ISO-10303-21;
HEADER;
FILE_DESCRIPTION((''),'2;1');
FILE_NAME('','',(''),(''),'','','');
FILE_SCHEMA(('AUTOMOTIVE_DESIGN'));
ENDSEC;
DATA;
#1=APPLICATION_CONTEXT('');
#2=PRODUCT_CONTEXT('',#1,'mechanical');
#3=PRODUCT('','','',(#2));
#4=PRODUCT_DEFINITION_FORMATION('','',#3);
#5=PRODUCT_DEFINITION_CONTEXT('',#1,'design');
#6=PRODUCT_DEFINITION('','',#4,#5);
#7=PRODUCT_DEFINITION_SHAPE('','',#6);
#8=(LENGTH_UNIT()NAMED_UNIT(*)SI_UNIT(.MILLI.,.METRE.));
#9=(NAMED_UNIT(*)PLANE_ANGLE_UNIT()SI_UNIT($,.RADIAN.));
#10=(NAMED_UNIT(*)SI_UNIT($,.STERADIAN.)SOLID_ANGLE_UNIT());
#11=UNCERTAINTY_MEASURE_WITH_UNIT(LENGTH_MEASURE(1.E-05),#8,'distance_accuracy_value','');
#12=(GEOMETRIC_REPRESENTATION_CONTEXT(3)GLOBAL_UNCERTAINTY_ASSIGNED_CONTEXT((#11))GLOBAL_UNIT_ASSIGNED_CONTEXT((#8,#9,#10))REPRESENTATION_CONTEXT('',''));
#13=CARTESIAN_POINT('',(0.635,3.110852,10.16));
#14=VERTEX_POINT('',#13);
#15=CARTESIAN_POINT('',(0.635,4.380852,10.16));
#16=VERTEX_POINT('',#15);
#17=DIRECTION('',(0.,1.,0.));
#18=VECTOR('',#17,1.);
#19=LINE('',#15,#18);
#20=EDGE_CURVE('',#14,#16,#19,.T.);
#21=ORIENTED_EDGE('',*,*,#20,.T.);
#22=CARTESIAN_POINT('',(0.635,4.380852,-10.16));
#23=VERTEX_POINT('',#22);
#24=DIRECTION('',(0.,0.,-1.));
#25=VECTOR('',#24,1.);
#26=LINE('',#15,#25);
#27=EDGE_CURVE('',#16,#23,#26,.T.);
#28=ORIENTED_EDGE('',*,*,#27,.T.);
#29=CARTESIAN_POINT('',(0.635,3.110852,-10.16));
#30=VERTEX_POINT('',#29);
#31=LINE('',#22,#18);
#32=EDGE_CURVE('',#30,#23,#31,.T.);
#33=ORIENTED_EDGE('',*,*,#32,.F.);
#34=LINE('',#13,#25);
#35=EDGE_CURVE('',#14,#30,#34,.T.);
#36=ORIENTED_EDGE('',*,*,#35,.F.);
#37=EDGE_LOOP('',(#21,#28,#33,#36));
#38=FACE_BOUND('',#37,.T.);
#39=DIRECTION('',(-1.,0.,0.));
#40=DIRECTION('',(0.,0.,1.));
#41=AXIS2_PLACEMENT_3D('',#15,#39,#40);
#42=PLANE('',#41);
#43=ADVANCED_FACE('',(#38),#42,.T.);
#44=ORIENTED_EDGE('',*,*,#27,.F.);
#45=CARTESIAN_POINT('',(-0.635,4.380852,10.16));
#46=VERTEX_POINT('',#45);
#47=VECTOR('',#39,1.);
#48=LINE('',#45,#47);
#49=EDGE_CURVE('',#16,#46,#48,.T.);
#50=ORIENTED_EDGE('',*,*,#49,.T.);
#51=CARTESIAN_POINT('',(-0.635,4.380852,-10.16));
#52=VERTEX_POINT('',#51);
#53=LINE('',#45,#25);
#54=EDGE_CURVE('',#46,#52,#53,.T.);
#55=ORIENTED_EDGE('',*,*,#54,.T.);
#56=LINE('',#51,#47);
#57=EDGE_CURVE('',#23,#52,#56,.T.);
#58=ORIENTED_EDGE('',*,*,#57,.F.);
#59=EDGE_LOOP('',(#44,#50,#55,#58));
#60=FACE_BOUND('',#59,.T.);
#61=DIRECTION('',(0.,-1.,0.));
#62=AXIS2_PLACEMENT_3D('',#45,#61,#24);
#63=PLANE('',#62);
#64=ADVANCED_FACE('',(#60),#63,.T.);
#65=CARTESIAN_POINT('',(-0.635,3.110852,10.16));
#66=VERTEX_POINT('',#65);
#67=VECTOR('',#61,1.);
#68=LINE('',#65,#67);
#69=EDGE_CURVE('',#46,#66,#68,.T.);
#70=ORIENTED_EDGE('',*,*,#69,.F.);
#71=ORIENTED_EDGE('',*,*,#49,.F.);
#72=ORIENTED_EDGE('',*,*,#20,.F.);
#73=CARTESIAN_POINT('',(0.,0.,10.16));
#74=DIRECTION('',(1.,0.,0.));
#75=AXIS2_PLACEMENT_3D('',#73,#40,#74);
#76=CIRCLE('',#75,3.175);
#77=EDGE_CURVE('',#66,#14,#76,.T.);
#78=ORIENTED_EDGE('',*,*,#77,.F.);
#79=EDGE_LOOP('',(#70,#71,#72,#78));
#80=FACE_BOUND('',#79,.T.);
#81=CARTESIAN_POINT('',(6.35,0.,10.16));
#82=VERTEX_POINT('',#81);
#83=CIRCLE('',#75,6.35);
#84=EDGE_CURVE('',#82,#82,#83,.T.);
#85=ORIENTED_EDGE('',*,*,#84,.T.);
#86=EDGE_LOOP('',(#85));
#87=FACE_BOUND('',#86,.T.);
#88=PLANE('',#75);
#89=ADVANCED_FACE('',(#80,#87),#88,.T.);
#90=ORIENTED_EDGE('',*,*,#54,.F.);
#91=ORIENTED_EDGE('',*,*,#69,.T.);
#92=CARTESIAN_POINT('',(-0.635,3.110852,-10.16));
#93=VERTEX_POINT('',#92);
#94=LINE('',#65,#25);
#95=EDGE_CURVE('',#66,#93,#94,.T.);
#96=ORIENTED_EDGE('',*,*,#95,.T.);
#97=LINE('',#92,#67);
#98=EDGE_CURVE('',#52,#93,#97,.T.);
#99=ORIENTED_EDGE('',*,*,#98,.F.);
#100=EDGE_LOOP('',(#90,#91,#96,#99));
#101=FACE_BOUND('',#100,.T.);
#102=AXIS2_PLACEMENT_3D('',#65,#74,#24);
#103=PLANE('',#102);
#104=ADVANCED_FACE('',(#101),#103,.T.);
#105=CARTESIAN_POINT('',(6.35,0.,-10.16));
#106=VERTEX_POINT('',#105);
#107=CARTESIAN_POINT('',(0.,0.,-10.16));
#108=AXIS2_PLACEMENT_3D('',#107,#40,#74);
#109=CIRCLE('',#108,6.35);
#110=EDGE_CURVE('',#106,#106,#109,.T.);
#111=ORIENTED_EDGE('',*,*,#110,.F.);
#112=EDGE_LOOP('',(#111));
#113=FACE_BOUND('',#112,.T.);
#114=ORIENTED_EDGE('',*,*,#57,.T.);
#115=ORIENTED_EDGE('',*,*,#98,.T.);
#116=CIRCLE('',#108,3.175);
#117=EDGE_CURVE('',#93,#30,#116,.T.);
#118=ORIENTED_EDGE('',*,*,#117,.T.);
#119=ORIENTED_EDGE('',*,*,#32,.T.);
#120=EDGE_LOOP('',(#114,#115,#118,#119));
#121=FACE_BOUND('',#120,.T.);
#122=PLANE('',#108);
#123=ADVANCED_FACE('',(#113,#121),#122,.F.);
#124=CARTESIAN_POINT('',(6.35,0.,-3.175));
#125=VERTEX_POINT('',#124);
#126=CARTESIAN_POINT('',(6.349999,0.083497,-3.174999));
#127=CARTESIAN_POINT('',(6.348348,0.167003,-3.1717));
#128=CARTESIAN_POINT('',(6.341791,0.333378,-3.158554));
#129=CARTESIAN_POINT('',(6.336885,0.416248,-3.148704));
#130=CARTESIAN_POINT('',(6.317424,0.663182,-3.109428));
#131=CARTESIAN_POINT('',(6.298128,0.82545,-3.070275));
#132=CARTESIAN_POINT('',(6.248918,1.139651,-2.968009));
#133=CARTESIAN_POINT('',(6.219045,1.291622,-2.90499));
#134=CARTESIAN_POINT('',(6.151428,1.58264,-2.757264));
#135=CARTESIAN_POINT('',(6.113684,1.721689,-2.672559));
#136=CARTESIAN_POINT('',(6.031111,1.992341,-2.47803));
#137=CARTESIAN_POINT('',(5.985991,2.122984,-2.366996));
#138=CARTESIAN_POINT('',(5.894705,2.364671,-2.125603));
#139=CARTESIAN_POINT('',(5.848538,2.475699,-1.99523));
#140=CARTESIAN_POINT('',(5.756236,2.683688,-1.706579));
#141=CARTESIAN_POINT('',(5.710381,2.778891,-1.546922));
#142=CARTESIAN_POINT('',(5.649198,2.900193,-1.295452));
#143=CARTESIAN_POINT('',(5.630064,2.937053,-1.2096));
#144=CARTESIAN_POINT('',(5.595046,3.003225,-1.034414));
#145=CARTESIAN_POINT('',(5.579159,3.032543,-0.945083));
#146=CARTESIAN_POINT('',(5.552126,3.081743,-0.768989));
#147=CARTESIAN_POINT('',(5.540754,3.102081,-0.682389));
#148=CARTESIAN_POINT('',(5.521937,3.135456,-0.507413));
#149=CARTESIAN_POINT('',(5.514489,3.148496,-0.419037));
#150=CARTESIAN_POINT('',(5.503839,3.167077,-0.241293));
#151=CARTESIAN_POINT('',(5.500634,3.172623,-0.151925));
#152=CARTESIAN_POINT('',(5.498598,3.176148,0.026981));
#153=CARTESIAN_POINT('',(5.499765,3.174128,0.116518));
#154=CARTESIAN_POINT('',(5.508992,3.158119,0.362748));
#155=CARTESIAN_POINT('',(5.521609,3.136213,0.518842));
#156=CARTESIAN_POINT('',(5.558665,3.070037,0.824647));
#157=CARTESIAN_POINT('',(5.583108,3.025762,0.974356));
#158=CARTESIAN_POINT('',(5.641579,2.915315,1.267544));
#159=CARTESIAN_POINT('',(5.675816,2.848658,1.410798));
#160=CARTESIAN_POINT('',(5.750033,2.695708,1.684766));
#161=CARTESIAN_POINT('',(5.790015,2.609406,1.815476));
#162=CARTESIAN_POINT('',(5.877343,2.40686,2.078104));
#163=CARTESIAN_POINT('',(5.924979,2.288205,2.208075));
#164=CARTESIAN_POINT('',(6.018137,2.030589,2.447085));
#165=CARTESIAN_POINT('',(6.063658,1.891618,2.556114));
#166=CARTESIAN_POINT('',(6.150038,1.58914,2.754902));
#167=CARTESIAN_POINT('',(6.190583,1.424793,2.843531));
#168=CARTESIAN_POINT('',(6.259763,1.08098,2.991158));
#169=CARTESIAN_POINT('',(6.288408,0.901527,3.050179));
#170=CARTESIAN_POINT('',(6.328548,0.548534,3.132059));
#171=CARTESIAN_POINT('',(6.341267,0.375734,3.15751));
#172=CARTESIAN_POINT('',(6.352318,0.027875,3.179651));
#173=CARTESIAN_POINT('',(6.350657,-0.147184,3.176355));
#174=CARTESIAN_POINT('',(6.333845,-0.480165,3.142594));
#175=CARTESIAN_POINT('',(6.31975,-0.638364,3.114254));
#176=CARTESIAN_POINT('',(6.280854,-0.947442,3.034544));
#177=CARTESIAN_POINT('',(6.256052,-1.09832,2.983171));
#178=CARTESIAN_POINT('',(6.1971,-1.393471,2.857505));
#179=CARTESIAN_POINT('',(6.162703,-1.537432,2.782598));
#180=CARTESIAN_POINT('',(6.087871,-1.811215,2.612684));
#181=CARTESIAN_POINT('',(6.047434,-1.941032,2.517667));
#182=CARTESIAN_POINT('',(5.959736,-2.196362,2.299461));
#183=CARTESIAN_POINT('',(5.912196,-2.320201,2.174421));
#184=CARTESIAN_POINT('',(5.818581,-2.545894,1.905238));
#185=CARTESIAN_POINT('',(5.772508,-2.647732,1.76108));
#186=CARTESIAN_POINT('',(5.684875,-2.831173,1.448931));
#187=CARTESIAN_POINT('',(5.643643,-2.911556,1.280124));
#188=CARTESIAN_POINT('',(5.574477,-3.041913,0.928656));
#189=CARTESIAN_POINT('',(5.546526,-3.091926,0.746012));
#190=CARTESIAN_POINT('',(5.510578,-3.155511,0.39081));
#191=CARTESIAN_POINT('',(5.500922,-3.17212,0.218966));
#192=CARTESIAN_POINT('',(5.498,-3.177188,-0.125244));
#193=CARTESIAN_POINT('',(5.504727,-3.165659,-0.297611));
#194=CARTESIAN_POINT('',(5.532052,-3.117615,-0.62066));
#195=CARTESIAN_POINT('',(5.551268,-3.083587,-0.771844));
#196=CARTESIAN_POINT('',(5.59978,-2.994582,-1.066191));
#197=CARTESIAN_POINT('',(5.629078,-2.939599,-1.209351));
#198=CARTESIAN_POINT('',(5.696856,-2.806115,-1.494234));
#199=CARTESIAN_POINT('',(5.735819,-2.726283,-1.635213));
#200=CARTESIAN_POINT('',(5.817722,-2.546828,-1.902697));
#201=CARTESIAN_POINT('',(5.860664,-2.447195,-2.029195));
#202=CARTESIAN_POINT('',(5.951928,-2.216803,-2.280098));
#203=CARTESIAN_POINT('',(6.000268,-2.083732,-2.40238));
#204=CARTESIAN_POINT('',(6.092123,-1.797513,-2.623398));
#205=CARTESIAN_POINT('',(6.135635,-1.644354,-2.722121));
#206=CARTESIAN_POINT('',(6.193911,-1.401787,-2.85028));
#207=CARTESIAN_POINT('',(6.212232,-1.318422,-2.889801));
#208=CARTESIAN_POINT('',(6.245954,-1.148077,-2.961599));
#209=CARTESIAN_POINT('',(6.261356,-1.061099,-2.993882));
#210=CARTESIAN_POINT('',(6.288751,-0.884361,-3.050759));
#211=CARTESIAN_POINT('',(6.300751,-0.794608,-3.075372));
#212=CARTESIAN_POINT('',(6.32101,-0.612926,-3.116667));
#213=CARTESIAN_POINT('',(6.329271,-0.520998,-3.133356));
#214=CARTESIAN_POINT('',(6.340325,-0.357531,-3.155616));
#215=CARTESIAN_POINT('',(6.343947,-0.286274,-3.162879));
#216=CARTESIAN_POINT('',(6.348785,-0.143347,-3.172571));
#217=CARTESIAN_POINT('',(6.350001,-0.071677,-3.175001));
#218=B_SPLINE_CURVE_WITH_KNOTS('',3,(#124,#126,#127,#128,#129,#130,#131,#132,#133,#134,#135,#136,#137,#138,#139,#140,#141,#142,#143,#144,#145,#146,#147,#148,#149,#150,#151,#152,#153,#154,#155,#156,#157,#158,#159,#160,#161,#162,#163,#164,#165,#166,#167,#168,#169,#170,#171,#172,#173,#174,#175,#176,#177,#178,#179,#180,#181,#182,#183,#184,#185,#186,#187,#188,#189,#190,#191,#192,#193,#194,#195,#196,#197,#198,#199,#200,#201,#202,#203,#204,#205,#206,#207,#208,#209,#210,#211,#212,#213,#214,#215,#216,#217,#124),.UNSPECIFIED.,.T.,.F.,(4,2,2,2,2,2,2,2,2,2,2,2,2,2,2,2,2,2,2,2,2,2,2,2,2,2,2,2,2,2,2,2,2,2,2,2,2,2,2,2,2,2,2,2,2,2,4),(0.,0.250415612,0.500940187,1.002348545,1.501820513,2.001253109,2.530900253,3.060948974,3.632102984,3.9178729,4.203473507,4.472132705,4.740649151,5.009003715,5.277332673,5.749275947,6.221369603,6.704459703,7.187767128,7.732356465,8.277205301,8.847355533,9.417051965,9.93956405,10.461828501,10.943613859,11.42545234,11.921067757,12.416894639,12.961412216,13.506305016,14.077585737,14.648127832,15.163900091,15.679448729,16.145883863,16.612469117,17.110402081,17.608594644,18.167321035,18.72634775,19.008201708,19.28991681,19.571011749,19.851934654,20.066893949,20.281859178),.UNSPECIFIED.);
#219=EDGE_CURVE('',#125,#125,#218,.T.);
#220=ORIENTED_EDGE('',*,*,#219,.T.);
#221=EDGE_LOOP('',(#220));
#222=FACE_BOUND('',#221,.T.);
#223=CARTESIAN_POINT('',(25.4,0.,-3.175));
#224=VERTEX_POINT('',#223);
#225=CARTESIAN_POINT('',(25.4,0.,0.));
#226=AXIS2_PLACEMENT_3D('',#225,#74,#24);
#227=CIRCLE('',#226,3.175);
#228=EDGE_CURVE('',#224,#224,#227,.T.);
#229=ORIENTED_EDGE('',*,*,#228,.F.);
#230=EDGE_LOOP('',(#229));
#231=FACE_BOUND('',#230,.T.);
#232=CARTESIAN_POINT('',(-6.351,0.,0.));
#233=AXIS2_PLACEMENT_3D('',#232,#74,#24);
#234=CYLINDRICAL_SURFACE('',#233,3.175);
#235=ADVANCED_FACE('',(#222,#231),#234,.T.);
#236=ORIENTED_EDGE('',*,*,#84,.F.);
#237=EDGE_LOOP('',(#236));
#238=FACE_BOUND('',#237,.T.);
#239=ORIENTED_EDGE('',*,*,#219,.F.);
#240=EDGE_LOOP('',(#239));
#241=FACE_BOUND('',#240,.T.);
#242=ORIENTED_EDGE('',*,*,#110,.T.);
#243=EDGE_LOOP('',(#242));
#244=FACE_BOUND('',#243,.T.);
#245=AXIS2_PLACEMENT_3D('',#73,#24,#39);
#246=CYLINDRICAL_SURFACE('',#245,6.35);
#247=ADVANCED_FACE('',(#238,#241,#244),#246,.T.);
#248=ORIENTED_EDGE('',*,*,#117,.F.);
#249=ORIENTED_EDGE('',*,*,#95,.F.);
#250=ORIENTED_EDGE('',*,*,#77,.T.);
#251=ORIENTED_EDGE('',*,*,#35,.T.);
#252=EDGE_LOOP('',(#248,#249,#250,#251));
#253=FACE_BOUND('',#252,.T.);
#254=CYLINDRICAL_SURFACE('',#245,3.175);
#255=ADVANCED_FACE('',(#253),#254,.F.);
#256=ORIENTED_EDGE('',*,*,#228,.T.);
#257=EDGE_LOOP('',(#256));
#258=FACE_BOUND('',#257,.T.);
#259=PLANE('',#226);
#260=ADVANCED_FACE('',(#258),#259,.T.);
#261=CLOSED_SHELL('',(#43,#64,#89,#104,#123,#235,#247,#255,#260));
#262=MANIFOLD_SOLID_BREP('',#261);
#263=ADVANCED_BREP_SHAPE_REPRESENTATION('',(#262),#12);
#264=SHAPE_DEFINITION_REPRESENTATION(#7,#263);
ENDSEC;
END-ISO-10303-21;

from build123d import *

# Parameters (mm, degrees)
SKETCH1_R                = 6.35
BOSS_EXTRUDE1_DEPTH      = 10.16
BOSS_EXTRUDE2_REACH      = 35.935
BOSS_EXTRUDE2_END_RADIUS = 6.35
SKETCH2_R                = 3.175


with BuildPart() as part:
    # Sketch1 → Boss-Extrude1 (new, symmetric)
    with BuildSketch(Plane.XY):
        Circle(SKETCH1_R)
        with BuildLine():
            Line((-0.635, 3.110851973), (-0.635, 4.380851973))
            Line((-0.635, 4.380851973), (0.635, 4.380851973))
            Line((0.635, 4.380851973), (0.635, 3.110851973))
            ThreePointArc((0.635, 3.110851973), (0, -3.175), (-0.635, 3.110851973))
        make_face(mode=Mode.SUBTRACT)
    extrude(amount=BOSS_EXTRUDE1_DEPTH, both=True)

    # Boss-Extrude2: up to this cylinder (the profile starts outside it)
    boss_extrude2_end = Plane(origin=(0, 0, 0), z_dir=(0, 0, -1)) * Cylinder(BOSS_EXTRUDE2_END_RADIUS, 85.57, mode=Mode.PRIVATE)
    # Sketch2 → Boss-Extrude2 (add, up to the surface)
    with BuildSketch(Plane(origin=(25.4, 0, 0), x_dir=(0, 0, -1), z_dir=(1, 0, 0)), mode=Mode.PRIVATE) as boss_extrude2_sk1:
        Circle(SKETCH2_R)
    boss_extrude2_tool1 = extrude(boss_extrude2_sk1.sketch, amount=-BOSS_EXTRUDE2_REACH, mode=Mode.PRIVATE) - boss_extrude2_end
    add(boss_extrude2_tool1.solids().sort_by_distance((25.4, 0, 0))[0])


solid = part.part
